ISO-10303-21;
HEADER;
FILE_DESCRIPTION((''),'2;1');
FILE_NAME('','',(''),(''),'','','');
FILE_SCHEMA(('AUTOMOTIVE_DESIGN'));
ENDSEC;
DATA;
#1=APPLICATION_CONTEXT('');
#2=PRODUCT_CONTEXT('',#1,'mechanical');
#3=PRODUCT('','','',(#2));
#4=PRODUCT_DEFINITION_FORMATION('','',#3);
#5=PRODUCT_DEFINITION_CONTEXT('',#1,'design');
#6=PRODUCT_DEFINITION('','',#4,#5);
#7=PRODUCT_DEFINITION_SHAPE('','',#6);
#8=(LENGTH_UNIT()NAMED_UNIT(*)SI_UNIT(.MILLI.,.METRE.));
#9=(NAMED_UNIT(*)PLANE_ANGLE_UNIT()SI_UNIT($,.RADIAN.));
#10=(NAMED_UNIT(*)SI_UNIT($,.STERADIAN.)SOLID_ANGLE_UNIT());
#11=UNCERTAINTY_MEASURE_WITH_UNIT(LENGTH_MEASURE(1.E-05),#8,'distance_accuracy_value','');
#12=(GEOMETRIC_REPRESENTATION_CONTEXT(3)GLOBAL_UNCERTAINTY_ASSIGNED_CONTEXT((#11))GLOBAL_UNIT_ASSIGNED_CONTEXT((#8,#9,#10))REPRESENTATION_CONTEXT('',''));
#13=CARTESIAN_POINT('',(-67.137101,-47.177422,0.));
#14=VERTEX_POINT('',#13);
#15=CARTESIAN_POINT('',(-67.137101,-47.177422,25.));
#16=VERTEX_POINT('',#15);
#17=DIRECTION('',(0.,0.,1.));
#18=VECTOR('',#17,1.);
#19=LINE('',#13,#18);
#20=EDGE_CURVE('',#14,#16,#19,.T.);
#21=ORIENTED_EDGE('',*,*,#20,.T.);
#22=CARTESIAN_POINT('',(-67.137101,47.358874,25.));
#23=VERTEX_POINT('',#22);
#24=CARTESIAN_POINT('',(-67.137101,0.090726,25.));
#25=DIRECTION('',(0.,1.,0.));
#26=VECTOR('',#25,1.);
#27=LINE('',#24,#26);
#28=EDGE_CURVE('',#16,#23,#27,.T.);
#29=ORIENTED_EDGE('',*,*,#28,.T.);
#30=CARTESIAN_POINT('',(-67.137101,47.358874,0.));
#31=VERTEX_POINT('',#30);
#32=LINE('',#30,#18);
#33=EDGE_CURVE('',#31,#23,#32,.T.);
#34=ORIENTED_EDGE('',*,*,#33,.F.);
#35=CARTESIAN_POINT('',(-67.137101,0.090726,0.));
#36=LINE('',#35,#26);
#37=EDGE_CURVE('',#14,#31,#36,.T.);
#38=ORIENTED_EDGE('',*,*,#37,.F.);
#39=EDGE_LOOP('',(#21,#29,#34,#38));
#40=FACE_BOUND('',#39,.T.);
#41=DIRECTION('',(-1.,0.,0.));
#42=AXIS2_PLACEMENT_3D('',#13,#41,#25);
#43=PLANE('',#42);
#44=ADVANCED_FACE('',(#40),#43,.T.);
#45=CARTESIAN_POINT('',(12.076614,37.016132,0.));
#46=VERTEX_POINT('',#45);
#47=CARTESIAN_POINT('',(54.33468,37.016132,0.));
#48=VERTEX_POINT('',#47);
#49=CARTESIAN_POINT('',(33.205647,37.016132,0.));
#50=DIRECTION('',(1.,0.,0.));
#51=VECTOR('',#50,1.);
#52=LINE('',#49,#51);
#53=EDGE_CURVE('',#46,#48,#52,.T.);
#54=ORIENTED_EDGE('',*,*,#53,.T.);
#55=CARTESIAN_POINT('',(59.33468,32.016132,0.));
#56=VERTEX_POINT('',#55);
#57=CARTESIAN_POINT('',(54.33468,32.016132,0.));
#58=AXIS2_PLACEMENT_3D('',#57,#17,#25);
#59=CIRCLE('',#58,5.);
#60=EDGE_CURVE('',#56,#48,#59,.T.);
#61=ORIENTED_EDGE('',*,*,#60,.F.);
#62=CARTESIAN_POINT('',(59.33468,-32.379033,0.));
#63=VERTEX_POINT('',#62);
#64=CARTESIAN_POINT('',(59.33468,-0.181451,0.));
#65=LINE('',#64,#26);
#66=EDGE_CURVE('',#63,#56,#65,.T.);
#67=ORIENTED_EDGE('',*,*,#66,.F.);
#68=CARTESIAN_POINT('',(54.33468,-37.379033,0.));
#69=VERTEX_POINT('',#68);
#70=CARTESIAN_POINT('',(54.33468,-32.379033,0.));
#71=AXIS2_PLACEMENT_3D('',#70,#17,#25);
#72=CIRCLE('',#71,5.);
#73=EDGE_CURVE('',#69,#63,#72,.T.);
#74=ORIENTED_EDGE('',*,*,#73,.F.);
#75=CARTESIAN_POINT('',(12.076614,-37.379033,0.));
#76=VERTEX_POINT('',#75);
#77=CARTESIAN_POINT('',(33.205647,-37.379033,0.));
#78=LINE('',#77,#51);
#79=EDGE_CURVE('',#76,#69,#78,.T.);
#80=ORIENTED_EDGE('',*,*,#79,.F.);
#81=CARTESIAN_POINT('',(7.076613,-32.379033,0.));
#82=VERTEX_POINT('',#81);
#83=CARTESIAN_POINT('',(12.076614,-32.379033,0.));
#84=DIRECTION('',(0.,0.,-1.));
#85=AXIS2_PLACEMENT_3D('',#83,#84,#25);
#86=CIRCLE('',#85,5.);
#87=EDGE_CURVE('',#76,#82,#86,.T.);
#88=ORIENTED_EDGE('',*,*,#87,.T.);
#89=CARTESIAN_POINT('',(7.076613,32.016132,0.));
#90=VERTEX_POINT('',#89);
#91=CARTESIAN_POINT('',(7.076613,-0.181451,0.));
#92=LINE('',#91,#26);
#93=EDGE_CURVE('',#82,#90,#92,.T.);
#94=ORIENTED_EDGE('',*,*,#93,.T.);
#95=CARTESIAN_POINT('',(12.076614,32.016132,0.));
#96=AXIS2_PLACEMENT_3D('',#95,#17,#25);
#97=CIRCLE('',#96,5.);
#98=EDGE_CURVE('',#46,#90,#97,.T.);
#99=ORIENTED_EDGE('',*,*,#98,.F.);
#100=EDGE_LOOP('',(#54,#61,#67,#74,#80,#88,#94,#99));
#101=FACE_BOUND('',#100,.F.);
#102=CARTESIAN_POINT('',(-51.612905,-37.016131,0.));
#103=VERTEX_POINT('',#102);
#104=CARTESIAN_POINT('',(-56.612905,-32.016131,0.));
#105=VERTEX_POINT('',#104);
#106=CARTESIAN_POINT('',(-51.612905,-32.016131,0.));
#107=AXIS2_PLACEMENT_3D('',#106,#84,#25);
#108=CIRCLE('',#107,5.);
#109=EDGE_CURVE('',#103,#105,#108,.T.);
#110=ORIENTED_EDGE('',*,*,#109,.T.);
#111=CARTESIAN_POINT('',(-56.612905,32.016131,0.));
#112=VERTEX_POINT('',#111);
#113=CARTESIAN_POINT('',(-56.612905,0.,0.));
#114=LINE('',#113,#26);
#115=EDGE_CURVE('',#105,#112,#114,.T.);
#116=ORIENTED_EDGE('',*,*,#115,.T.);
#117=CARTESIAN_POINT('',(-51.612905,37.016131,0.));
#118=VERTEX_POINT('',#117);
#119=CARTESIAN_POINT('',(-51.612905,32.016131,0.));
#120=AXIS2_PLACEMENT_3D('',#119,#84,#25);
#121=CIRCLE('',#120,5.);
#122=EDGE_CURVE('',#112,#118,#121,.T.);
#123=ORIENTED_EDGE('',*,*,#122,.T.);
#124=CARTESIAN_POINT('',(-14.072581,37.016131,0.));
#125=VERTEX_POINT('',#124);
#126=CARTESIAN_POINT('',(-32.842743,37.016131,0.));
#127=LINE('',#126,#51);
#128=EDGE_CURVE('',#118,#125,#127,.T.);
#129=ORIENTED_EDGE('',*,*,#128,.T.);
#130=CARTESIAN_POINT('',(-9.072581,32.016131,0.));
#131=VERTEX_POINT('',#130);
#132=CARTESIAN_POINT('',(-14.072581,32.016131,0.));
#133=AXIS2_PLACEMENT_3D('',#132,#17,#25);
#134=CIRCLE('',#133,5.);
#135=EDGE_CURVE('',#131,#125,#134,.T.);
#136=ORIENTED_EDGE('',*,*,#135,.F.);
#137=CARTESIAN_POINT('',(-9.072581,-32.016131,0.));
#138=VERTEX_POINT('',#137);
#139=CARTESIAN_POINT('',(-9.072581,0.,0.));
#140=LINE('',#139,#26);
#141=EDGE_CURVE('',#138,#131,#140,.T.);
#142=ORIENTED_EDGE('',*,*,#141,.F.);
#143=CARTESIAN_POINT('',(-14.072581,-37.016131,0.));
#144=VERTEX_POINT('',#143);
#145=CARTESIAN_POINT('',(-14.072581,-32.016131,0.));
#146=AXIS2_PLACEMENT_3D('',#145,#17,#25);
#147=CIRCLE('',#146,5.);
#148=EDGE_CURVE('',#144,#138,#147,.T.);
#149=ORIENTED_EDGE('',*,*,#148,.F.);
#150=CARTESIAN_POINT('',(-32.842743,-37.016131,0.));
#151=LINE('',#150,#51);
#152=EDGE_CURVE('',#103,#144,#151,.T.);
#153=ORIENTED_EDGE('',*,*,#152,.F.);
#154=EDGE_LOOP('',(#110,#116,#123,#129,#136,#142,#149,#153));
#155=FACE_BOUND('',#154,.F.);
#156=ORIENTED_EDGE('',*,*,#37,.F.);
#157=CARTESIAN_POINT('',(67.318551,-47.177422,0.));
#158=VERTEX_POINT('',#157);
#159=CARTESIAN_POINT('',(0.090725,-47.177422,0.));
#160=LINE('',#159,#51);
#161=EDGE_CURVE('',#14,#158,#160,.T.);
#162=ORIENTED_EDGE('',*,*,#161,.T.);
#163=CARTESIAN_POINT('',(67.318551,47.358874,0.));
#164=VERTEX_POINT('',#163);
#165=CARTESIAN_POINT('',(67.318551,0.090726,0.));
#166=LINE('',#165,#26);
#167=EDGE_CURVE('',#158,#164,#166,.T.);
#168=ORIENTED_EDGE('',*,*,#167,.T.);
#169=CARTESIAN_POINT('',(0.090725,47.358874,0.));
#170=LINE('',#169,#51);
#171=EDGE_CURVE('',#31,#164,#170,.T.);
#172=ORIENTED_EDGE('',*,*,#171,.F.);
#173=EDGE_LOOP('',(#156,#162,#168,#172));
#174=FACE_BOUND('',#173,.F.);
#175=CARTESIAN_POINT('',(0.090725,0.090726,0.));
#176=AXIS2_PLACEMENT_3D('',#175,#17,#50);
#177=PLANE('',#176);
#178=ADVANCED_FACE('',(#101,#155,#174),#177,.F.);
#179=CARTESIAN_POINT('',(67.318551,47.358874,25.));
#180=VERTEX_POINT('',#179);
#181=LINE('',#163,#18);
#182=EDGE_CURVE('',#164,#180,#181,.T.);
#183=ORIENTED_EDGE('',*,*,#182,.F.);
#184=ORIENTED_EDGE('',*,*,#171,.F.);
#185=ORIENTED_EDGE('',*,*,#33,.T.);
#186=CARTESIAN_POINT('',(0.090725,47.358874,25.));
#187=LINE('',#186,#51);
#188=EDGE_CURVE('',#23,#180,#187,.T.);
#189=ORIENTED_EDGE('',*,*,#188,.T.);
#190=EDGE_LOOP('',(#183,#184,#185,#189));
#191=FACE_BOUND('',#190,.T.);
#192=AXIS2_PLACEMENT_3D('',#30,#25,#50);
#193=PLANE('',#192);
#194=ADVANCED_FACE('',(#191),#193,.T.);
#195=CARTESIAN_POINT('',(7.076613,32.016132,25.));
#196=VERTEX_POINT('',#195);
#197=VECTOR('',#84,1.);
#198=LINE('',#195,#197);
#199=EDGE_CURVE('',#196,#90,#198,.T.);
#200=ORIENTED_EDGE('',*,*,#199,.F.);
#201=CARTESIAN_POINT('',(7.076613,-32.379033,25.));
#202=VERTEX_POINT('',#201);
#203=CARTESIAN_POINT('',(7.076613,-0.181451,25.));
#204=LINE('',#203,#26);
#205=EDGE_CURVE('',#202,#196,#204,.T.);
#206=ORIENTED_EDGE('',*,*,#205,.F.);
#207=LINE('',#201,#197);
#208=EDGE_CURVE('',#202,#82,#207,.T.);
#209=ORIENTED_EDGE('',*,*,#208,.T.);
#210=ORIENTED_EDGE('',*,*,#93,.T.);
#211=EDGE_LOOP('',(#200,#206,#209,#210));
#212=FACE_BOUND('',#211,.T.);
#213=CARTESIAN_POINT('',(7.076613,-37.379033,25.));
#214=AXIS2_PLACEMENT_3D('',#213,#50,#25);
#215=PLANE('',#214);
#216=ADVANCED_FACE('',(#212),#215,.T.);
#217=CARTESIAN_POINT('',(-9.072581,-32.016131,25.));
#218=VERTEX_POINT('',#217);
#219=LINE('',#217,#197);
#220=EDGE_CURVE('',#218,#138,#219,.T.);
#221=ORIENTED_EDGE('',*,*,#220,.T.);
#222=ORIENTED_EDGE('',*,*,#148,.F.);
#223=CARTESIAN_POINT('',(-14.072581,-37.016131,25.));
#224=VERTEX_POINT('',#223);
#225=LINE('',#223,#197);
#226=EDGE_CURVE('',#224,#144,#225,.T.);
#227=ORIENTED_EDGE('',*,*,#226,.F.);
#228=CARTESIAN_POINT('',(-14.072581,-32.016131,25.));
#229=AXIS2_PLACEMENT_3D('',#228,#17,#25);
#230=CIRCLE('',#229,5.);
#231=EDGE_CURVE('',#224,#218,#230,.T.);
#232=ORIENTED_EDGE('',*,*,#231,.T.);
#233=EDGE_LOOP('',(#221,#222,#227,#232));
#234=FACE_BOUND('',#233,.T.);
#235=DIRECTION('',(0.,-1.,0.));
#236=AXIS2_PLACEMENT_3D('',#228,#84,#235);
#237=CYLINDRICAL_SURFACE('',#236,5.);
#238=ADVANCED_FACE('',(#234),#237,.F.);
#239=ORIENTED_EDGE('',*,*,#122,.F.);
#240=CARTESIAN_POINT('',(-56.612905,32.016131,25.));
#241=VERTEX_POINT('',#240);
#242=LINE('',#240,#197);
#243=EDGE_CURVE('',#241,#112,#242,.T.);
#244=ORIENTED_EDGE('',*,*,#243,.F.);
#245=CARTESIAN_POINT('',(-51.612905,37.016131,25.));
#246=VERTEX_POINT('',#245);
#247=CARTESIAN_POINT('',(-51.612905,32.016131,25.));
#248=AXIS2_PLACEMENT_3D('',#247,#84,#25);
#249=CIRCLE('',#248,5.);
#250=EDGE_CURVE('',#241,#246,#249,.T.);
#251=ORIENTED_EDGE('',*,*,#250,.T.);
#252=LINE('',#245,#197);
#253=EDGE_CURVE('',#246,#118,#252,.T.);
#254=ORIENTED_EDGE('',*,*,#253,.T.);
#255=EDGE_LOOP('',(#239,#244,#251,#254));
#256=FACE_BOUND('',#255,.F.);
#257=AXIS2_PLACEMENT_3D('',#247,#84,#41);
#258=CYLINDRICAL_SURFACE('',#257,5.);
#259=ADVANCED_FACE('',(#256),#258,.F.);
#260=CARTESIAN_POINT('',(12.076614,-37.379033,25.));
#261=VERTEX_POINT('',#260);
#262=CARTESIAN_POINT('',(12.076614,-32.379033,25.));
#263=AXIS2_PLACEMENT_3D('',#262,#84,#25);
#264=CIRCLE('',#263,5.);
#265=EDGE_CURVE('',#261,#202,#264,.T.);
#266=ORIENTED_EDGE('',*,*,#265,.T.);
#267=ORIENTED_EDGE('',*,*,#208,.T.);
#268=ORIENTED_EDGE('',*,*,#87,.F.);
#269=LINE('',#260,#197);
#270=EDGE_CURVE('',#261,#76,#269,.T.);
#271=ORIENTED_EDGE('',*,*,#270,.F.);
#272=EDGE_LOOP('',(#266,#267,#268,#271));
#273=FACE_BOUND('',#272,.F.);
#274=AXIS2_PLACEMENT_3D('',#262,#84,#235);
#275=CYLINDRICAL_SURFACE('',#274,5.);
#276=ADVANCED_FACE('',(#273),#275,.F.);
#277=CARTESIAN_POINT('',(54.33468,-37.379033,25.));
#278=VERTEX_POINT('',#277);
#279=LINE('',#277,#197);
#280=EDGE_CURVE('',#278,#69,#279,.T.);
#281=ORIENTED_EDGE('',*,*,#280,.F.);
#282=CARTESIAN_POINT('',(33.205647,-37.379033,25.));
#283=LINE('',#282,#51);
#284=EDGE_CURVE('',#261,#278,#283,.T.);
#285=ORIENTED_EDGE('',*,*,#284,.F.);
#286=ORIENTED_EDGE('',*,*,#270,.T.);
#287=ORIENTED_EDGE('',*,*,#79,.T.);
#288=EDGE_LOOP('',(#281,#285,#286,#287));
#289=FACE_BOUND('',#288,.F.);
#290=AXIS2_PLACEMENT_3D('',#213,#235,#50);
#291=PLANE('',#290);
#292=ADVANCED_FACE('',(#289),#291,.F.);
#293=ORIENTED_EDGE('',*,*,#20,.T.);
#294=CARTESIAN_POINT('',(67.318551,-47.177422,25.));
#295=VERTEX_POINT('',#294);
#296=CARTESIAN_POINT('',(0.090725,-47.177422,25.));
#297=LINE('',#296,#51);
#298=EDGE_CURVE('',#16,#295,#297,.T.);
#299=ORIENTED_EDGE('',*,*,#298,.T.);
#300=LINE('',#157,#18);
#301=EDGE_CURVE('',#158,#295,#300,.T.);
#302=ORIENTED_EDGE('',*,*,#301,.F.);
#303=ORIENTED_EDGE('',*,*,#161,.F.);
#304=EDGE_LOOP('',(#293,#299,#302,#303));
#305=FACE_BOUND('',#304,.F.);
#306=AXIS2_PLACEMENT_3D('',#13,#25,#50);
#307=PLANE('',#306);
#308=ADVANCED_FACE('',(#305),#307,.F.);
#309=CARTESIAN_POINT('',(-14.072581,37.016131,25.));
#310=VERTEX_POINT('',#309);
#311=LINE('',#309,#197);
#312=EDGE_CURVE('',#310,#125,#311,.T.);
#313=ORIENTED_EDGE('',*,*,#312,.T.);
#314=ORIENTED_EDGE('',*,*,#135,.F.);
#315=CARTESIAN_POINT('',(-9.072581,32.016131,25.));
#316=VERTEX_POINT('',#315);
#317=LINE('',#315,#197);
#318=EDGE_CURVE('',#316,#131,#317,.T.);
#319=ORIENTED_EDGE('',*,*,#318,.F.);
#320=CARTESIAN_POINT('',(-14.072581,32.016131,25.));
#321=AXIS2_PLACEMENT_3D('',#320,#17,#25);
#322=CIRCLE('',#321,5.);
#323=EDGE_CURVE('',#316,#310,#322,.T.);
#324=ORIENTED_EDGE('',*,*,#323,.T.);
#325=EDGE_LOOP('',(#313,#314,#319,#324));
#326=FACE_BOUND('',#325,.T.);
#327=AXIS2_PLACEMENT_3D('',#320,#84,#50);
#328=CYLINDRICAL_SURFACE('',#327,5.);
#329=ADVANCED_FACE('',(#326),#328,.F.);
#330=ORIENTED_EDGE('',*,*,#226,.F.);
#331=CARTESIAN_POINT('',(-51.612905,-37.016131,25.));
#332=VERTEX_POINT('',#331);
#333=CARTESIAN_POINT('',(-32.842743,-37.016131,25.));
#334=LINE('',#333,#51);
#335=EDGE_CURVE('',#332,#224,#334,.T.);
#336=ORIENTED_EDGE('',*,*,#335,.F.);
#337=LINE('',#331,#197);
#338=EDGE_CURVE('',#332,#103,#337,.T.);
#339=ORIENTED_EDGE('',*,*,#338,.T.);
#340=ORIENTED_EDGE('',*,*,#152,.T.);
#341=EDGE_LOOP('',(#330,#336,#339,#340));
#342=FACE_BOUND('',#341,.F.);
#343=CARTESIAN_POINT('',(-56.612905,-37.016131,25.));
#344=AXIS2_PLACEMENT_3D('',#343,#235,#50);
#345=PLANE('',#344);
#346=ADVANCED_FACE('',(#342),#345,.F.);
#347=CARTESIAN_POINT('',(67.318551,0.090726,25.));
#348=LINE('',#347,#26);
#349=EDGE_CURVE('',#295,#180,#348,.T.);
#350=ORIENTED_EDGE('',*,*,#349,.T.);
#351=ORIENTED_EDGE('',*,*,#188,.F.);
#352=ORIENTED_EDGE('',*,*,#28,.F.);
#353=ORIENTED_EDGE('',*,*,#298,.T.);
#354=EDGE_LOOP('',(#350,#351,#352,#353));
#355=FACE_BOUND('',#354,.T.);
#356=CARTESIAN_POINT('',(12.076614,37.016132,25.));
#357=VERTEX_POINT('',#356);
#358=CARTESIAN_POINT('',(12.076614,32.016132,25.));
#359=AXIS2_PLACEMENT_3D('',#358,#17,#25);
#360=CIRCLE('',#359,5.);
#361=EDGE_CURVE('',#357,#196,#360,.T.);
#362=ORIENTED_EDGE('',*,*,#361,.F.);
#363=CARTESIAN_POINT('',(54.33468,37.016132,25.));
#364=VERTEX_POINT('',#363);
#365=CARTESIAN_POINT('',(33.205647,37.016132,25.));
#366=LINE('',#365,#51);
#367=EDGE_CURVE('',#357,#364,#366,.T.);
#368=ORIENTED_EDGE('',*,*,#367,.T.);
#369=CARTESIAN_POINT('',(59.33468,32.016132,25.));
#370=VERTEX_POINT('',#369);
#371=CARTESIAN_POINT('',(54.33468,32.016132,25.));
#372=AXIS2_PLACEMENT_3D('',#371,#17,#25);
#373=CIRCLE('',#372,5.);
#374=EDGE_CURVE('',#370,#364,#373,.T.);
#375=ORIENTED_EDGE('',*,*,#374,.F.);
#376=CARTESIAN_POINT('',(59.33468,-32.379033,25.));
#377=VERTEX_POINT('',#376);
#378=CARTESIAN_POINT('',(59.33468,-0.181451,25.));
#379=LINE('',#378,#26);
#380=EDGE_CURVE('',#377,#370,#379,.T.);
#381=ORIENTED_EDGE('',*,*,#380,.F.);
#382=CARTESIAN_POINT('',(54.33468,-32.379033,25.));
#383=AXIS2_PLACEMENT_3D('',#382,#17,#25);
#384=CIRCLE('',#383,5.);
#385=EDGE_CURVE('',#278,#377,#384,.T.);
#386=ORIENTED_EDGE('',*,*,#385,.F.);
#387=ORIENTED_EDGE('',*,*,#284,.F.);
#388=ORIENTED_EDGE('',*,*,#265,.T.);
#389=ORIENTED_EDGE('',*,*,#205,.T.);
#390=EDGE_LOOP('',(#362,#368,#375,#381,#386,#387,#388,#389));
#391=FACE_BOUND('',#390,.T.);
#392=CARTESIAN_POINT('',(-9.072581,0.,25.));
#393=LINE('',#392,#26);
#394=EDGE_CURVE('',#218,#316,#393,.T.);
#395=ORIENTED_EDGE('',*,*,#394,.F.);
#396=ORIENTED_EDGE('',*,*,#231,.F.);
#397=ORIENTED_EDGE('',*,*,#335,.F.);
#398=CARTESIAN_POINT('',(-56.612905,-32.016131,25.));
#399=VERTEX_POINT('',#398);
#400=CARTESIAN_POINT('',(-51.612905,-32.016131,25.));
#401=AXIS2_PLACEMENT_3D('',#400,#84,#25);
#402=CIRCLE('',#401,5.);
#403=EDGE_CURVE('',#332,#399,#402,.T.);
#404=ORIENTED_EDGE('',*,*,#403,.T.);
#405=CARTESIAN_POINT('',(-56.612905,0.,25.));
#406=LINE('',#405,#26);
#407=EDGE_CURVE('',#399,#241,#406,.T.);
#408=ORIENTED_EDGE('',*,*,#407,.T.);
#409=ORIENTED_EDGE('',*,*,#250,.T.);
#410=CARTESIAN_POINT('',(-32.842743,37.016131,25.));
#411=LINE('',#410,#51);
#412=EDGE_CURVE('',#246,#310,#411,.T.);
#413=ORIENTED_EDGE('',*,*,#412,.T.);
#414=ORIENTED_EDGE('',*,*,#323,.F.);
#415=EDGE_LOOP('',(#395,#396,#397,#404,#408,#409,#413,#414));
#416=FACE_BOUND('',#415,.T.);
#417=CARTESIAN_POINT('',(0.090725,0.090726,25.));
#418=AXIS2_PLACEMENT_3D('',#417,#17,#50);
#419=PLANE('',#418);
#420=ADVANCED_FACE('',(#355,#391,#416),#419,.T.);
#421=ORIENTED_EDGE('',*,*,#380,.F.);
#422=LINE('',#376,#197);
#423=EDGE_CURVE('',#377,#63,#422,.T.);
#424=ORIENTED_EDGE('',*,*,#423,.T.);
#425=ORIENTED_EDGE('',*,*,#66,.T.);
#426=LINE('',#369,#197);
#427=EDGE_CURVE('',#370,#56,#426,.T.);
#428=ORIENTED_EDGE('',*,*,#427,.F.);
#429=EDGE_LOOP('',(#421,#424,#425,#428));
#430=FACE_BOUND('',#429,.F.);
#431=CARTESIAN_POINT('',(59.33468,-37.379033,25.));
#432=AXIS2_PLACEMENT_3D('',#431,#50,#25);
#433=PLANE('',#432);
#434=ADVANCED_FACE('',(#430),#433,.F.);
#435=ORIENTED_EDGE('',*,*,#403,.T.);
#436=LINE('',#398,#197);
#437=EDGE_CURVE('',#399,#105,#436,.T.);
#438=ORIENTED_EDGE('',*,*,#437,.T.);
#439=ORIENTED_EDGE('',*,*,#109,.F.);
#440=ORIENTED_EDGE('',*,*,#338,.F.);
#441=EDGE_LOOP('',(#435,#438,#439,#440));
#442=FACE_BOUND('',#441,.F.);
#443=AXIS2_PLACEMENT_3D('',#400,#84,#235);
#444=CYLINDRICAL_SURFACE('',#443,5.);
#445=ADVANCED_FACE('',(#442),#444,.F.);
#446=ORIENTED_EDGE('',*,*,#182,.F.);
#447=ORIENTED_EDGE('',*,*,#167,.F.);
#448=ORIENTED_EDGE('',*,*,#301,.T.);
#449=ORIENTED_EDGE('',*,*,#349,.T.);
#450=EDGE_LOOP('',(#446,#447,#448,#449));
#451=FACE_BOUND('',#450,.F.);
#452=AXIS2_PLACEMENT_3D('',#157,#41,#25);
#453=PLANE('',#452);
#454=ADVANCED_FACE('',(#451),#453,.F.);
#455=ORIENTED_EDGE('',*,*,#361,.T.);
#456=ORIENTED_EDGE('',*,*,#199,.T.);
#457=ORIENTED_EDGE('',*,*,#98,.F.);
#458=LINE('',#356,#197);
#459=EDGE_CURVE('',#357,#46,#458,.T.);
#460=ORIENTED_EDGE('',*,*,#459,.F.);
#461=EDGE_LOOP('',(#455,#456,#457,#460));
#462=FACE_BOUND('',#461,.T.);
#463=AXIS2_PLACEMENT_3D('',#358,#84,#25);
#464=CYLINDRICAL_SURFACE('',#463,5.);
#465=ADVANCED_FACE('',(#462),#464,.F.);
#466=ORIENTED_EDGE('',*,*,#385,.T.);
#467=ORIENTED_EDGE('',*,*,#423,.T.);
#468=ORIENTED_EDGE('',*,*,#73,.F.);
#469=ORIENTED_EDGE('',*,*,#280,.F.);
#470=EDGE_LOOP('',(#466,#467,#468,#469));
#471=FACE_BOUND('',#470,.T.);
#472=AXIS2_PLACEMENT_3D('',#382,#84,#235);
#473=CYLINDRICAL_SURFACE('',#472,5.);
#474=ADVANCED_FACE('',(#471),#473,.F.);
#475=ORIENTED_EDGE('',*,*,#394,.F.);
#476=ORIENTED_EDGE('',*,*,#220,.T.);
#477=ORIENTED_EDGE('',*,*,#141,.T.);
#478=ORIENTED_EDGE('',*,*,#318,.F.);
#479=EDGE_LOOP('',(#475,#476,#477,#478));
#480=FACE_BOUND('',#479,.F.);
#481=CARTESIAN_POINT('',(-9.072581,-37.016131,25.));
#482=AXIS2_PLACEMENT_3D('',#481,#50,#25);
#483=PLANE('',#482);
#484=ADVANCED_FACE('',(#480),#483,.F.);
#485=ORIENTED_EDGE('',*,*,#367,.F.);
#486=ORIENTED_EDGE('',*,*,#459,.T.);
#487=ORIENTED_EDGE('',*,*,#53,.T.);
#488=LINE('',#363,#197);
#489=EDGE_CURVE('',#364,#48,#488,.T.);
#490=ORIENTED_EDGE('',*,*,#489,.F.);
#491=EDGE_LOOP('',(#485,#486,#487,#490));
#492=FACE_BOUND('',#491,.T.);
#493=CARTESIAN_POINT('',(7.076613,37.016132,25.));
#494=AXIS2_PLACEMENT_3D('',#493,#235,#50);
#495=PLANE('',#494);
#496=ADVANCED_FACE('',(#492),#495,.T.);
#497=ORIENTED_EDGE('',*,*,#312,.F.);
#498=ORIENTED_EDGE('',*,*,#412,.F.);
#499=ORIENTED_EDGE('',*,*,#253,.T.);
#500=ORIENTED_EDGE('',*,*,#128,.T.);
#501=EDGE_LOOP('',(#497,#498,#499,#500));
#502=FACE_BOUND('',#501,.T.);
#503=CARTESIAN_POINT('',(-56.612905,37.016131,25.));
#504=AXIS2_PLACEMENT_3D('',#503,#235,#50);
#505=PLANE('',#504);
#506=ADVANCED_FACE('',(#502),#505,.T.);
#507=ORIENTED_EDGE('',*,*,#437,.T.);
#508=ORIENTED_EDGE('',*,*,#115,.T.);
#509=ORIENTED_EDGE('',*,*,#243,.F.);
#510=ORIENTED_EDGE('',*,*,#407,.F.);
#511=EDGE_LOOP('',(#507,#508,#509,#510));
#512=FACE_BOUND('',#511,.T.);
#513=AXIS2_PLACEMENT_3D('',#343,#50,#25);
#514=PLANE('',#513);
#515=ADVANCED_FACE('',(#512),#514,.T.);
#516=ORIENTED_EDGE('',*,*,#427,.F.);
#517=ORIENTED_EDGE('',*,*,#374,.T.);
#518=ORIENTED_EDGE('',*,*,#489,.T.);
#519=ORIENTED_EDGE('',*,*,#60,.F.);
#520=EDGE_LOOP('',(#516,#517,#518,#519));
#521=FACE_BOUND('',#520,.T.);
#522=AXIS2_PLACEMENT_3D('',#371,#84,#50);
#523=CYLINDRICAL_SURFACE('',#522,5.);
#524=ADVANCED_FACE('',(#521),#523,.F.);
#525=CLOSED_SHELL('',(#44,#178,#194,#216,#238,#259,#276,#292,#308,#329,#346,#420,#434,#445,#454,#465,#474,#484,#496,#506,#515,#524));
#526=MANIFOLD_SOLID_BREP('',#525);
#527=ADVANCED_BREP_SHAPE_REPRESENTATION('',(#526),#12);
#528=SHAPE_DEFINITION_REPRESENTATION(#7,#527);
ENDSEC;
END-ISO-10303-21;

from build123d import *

# Parameters (mm, degrees)
F0_W     = 134.455651
F0_H     = 94.536297
F1_DEPTH = 25
F2_W     = 47.540324
F2_H     = 74.032262
F3_DEPTH = 25
F2_W_2   = 52.258067
F2_H_2   = 74.395165
F4_DEPTH = 25
F5_R     = 5


with BuildPart() as f1:
    # F0 (on Top) → F1 (new body)
    with BuildSketch(Plane.XY):
        with Locations((0.090725, 0.090726)):
            Rectangle(F0_W, F0_H)
    extrude(amount=F1_DEPTH)

    # F2 (on face) → F3 (cut)
    with BuildSketch(Plane.XY.offset(25)):
        with Locations((-32.842743, 0)):
            Rectangle(F2_W, F2_H)
    extrude(amount=-F3_DEPTH, mode=Mode.SUBTRACT)

    # F2 (on face) → F4 (cut)
    with BuildSketch(Plane.XY.offset(25)):
        with Locations((-32.842743, 0)):
            Rectangle(F2_W, F2_H)
        with Locations((33.205647, -0.181451)):
            Rectangle(F2_W_2, F2_H_2)
    extrude(amount=-F4_DEPTH, mode=Mode.SUBTRACT)

    # F5
    f5_edges = [f1.edges().sort_by_distance(p)[0] for p in [
        (-56.612905, 37.016131, 12.5),
        (-9.072581, 37.016131, 12.5),
        (-56.612905, -37.016131, 12.5),
        (-9.072581, -37.016131, 12.5),
        (7.076613, -37.379034, 12.5),
        (7.076613, 37.016131, 12.5),
        (59.33468, 37.016131, 12.5),
        (59.33468, -37.379034, 12.5),
    ]]
    fillet(f5_edges, radius=F5_R)


solid = f1.part
